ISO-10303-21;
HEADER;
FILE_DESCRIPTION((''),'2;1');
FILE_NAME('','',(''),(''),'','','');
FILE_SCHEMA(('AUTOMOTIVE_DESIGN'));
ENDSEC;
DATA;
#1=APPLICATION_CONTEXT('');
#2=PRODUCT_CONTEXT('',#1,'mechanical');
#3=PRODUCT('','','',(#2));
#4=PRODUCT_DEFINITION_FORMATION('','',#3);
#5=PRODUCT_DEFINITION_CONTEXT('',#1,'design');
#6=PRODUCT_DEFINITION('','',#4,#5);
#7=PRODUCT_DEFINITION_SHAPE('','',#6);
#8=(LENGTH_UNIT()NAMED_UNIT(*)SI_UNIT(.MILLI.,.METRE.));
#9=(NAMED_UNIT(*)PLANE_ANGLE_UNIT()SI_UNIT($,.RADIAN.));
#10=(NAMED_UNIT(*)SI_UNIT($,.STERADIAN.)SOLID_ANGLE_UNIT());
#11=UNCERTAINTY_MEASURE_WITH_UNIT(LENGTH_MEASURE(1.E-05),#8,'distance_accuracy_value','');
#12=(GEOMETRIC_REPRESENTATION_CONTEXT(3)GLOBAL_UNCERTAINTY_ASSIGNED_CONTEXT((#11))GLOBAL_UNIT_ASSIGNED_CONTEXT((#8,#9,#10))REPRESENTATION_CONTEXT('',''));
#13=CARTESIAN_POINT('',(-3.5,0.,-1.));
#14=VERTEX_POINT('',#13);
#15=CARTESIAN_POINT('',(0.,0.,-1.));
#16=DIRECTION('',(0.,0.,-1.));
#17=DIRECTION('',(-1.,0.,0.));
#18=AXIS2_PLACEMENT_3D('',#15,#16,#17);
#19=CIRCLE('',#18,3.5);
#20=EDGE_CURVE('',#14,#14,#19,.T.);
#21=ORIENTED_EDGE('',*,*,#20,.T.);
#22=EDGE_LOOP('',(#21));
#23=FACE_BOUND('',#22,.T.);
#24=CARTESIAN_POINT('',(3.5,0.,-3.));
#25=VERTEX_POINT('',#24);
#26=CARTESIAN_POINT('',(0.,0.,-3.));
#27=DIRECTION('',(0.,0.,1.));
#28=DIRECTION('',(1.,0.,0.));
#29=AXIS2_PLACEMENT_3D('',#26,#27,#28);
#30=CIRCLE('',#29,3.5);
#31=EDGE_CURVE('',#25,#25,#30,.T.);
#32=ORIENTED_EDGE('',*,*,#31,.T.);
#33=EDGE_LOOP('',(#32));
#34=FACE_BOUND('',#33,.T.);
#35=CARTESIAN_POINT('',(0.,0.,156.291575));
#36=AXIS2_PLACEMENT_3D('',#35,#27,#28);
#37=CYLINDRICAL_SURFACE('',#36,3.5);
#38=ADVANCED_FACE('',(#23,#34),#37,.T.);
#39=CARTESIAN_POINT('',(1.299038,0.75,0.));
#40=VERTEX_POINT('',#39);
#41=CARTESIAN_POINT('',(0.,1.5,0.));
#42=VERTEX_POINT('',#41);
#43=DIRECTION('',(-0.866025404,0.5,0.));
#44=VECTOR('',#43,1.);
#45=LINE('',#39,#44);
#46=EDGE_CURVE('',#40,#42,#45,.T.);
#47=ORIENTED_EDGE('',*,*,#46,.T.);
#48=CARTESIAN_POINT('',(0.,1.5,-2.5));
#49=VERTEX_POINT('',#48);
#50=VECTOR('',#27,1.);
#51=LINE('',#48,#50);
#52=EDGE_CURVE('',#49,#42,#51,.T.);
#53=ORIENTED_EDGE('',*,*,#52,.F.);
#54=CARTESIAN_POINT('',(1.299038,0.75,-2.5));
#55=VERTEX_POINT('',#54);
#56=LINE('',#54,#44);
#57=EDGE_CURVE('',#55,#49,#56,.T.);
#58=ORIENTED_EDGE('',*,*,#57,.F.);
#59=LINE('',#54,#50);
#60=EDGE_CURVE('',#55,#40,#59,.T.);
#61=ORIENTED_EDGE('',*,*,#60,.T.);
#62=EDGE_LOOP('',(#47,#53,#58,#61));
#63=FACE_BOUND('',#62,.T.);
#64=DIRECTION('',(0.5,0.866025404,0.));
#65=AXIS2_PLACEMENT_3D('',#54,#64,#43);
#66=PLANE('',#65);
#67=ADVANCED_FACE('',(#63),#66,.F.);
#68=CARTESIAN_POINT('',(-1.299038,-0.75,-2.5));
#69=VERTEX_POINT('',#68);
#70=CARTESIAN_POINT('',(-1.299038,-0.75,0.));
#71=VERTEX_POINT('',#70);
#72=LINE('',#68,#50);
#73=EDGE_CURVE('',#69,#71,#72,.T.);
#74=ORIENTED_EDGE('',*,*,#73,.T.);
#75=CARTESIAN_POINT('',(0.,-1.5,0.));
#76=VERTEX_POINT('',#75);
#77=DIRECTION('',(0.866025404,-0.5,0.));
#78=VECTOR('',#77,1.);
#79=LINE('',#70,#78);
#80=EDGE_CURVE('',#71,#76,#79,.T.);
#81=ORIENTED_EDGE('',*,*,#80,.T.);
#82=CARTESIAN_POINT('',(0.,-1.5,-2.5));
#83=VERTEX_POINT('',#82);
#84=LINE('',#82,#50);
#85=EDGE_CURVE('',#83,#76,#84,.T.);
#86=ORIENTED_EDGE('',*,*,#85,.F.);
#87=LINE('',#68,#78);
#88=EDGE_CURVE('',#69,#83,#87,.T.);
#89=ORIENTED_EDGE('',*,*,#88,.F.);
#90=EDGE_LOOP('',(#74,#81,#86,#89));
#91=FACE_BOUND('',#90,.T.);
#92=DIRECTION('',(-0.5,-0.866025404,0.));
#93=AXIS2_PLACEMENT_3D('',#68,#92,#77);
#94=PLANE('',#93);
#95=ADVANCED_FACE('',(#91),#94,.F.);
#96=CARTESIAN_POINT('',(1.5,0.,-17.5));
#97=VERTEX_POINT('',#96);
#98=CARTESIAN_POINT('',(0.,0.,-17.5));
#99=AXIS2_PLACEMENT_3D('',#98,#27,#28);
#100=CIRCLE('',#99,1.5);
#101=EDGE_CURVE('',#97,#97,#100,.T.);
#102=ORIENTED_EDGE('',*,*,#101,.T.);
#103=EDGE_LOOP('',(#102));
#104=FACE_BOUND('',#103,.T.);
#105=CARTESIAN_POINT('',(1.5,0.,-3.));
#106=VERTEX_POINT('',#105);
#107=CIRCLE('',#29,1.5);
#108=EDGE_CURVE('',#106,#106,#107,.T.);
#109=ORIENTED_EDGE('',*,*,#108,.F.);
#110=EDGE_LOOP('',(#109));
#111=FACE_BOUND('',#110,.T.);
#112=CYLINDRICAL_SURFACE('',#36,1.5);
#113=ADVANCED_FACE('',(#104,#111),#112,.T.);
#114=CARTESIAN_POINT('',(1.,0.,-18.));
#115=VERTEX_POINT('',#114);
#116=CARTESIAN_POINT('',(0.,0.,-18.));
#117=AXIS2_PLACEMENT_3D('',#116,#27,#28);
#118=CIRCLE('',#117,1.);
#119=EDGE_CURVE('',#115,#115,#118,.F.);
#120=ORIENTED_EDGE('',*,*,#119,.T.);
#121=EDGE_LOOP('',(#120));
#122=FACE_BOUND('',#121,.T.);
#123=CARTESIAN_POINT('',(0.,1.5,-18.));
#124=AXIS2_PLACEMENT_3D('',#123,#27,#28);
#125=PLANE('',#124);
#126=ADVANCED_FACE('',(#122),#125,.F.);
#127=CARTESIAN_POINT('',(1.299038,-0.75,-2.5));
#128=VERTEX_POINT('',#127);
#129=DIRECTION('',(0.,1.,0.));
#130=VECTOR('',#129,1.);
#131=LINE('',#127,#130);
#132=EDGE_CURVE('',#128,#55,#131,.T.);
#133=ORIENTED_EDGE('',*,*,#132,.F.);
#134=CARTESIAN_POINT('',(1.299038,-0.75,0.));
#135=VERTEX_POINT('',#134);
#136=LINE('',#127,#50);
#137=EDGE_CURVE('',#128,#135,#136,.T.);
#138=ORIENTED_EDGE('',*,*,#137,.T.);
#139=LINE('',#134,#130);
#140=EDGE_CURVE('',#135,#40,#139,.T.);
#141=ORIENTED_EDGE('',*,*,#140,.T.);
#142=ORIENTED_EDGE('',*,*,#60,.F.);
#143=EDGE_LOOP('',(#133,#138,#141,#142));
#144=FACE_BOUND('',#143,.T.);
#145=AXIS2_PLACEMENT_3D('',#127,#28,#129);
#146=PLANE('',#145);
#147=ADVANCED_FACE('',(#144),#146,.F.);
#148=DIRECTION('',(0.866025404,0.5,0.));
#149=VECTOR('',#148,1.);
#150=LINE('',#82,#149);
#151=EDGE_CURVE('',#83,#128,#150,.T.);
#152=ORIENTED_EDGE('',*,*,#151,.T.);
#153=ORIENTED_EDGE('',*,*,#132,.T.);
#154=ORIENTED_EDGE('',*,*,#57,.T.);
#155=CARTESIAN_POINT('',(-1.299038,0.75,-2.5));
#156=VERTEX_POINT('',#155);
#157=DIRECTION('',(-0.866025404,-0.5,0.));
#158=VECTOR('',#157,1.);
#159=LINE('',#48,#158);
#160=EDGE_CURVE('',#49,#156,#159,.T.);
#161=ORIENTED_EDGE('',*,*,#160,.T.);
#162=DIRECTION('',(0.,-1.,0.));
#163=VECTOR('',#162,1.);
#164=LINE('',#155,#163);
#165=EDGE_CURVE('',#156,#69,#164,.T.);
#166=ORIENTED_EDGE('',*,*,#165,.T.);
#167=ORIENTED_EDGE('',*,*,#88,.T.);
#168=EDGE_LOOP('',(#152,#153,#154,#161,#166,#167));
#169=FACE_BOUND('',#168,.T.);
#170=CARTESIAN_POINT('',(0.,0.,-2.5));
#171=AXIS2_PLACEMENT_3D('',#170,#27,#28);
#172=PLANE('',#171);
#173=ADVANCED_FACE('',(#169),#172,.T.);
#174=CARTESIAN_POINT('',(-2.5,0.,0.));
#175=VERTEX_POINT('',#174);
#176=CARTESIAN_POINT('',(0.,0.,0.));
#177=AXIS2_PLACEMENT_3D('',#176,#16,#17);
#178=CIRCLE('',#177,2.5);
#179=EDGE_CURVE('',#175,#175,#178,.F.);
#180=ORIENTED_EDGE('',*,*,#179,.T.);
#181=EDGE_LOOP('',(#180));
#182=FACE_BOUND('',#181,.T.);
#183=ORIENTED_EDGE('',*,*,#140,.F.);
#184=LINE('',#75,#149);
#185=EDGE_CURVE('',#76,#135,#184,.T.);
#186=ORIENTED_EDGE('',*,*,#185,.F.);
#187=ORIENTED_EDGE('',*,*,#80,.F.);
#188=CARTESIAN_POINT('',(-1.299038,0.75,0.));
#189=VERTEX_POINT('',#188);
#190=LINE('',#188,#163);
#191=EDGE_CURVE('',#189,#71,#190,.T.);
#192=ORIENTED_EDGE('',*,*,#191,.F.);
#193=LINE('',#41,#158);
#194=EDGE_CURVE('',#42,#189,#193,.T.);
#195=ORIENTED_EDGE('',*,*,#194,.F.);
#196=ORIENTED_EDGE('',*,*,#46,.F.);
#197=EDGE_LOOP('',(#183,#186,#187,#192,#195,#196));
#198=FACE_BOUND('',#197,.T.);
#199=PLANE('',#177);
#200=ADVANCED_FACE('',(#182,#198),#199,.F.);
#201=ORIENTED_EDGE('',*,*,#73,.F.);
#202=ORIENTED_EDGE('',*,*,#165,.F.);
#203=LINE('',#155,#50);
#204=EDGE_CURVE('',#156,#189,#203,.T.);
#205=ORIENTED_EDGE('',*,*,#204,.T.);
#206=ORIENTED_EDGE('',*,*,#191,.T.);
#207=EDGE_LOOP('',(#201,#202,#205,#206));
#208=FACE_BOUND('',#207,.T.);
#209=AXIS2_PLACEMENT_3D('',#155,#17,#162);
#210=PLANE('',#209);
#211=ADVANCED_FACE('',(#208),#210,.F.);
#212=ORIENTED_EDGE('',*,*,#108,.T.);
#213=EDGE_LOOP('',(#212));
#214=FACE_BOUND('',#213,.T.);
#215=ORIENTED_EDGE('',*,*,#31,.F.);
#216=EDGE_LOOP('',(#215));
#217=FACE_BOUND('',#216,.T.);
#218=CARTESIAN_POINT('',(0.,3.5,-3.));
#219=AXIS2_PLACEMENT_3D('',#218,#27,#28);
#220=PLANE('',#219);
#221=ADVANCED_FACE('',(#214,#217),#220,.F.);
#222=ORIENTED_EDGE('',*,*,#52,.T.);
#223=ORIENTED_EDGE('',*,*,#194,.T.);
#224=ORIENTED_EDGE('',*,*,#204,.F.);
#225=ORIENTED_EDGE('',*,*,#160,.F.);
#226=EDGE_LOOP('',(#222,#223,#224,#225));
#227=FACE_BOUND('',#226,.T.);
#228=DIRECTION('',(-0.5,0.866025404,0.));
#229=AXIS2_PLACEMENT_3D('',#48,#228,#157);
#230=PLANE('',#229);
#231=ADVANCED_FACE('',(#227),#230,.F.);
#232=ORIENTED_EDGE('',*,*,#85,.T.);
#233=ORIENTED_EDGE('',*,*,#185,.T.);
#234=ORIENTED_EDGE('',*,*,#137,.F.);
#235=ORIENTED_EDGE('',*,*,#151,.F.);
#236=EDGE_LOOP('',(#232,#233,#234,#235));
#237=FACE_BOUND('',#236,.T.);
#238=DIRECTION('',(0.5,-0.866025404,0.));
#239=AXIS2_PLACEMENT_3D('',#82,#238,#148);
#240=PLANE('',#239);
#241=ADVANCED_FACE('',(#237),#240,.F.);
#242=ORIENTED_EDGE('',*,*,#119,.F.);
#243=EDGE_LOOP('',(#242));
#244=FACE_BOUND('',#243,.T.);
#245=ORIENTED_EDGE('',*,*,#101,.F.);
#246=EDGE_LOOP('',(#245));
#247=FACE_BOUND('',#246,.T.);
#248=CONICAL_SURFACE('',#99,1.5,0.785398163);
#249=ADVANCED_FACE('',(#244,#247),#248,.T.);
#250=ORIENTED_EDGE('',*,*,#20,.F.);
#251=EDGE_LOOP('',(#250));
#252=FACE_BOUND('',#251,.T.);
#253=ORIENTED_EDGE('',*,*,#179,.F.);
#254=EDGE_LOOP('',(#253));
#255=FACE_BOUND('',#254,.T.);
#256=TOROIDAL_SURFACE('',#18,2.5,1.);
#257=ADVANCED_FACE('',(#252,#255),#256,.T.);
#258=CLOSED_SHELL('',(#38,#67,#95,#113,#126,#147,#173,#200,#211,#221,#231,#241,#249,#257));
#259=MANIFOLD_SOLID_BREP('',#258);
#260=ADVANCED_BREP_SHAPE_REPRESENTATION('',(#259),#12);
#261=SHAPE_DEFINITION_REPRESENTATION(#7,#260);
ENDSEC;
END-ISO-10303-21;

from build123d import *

# Parameters (mm, degrees)
FOOTPRINT_DEPTH = 2.5
CHAMFER1_SIZE   = 0.5
FILLET1_R       = 1


with BuildPart() as part:
    # Sketch1 → Body (revolve)
    with BuildSketch(Plane(origin=(0, 0, 0), x_dir=(0, 0, -1), z_dir=(1, 0, 0)), mode=Mode.PRIVATE) as body_sk:
        Polygon((0, 0), (0, 3.5), (3, 3.5), (3, 1.5), (18, 1.5), (18, 0), align=None)
    revolve(body_sk.sketch.rotate(Axis((0, 0, 156.291575099), (0, 0, -1)), 90), axis=Axis((0, 0, 156.291575099), (0, 0, -1)))

    # Sketch2 → Footprint (cut)
    with BuildSketch(Plane.XY):
        Polygon((0, 1.5), (-1.299038106, 0.75), (-1.299038106, -0.75), (0, -1.5), (1.299038106, -0.75), (1.299038106, 0.75), align=None)
    extrude(amount=-FOOTPRINT_DEPTH, mode=Mode.SUBTRACT)

    # Chamfer1
    chamfer1_edges = [part.edges().sort_by_distance(p)[0] for p in [
        (-1.5, 0, -18),
    ]]
    chamfer(chamfer1_edges, length=CHAMFER1_SIZE)

    # Fillet1
    fillet1_edges = [part.edges().sort_by_distance(p)[0] for p in [
        (-3.5, 0, 0),
    ]]
    fillet(fillet1_edges, radius=FILLET1_R)


solid = part.part
